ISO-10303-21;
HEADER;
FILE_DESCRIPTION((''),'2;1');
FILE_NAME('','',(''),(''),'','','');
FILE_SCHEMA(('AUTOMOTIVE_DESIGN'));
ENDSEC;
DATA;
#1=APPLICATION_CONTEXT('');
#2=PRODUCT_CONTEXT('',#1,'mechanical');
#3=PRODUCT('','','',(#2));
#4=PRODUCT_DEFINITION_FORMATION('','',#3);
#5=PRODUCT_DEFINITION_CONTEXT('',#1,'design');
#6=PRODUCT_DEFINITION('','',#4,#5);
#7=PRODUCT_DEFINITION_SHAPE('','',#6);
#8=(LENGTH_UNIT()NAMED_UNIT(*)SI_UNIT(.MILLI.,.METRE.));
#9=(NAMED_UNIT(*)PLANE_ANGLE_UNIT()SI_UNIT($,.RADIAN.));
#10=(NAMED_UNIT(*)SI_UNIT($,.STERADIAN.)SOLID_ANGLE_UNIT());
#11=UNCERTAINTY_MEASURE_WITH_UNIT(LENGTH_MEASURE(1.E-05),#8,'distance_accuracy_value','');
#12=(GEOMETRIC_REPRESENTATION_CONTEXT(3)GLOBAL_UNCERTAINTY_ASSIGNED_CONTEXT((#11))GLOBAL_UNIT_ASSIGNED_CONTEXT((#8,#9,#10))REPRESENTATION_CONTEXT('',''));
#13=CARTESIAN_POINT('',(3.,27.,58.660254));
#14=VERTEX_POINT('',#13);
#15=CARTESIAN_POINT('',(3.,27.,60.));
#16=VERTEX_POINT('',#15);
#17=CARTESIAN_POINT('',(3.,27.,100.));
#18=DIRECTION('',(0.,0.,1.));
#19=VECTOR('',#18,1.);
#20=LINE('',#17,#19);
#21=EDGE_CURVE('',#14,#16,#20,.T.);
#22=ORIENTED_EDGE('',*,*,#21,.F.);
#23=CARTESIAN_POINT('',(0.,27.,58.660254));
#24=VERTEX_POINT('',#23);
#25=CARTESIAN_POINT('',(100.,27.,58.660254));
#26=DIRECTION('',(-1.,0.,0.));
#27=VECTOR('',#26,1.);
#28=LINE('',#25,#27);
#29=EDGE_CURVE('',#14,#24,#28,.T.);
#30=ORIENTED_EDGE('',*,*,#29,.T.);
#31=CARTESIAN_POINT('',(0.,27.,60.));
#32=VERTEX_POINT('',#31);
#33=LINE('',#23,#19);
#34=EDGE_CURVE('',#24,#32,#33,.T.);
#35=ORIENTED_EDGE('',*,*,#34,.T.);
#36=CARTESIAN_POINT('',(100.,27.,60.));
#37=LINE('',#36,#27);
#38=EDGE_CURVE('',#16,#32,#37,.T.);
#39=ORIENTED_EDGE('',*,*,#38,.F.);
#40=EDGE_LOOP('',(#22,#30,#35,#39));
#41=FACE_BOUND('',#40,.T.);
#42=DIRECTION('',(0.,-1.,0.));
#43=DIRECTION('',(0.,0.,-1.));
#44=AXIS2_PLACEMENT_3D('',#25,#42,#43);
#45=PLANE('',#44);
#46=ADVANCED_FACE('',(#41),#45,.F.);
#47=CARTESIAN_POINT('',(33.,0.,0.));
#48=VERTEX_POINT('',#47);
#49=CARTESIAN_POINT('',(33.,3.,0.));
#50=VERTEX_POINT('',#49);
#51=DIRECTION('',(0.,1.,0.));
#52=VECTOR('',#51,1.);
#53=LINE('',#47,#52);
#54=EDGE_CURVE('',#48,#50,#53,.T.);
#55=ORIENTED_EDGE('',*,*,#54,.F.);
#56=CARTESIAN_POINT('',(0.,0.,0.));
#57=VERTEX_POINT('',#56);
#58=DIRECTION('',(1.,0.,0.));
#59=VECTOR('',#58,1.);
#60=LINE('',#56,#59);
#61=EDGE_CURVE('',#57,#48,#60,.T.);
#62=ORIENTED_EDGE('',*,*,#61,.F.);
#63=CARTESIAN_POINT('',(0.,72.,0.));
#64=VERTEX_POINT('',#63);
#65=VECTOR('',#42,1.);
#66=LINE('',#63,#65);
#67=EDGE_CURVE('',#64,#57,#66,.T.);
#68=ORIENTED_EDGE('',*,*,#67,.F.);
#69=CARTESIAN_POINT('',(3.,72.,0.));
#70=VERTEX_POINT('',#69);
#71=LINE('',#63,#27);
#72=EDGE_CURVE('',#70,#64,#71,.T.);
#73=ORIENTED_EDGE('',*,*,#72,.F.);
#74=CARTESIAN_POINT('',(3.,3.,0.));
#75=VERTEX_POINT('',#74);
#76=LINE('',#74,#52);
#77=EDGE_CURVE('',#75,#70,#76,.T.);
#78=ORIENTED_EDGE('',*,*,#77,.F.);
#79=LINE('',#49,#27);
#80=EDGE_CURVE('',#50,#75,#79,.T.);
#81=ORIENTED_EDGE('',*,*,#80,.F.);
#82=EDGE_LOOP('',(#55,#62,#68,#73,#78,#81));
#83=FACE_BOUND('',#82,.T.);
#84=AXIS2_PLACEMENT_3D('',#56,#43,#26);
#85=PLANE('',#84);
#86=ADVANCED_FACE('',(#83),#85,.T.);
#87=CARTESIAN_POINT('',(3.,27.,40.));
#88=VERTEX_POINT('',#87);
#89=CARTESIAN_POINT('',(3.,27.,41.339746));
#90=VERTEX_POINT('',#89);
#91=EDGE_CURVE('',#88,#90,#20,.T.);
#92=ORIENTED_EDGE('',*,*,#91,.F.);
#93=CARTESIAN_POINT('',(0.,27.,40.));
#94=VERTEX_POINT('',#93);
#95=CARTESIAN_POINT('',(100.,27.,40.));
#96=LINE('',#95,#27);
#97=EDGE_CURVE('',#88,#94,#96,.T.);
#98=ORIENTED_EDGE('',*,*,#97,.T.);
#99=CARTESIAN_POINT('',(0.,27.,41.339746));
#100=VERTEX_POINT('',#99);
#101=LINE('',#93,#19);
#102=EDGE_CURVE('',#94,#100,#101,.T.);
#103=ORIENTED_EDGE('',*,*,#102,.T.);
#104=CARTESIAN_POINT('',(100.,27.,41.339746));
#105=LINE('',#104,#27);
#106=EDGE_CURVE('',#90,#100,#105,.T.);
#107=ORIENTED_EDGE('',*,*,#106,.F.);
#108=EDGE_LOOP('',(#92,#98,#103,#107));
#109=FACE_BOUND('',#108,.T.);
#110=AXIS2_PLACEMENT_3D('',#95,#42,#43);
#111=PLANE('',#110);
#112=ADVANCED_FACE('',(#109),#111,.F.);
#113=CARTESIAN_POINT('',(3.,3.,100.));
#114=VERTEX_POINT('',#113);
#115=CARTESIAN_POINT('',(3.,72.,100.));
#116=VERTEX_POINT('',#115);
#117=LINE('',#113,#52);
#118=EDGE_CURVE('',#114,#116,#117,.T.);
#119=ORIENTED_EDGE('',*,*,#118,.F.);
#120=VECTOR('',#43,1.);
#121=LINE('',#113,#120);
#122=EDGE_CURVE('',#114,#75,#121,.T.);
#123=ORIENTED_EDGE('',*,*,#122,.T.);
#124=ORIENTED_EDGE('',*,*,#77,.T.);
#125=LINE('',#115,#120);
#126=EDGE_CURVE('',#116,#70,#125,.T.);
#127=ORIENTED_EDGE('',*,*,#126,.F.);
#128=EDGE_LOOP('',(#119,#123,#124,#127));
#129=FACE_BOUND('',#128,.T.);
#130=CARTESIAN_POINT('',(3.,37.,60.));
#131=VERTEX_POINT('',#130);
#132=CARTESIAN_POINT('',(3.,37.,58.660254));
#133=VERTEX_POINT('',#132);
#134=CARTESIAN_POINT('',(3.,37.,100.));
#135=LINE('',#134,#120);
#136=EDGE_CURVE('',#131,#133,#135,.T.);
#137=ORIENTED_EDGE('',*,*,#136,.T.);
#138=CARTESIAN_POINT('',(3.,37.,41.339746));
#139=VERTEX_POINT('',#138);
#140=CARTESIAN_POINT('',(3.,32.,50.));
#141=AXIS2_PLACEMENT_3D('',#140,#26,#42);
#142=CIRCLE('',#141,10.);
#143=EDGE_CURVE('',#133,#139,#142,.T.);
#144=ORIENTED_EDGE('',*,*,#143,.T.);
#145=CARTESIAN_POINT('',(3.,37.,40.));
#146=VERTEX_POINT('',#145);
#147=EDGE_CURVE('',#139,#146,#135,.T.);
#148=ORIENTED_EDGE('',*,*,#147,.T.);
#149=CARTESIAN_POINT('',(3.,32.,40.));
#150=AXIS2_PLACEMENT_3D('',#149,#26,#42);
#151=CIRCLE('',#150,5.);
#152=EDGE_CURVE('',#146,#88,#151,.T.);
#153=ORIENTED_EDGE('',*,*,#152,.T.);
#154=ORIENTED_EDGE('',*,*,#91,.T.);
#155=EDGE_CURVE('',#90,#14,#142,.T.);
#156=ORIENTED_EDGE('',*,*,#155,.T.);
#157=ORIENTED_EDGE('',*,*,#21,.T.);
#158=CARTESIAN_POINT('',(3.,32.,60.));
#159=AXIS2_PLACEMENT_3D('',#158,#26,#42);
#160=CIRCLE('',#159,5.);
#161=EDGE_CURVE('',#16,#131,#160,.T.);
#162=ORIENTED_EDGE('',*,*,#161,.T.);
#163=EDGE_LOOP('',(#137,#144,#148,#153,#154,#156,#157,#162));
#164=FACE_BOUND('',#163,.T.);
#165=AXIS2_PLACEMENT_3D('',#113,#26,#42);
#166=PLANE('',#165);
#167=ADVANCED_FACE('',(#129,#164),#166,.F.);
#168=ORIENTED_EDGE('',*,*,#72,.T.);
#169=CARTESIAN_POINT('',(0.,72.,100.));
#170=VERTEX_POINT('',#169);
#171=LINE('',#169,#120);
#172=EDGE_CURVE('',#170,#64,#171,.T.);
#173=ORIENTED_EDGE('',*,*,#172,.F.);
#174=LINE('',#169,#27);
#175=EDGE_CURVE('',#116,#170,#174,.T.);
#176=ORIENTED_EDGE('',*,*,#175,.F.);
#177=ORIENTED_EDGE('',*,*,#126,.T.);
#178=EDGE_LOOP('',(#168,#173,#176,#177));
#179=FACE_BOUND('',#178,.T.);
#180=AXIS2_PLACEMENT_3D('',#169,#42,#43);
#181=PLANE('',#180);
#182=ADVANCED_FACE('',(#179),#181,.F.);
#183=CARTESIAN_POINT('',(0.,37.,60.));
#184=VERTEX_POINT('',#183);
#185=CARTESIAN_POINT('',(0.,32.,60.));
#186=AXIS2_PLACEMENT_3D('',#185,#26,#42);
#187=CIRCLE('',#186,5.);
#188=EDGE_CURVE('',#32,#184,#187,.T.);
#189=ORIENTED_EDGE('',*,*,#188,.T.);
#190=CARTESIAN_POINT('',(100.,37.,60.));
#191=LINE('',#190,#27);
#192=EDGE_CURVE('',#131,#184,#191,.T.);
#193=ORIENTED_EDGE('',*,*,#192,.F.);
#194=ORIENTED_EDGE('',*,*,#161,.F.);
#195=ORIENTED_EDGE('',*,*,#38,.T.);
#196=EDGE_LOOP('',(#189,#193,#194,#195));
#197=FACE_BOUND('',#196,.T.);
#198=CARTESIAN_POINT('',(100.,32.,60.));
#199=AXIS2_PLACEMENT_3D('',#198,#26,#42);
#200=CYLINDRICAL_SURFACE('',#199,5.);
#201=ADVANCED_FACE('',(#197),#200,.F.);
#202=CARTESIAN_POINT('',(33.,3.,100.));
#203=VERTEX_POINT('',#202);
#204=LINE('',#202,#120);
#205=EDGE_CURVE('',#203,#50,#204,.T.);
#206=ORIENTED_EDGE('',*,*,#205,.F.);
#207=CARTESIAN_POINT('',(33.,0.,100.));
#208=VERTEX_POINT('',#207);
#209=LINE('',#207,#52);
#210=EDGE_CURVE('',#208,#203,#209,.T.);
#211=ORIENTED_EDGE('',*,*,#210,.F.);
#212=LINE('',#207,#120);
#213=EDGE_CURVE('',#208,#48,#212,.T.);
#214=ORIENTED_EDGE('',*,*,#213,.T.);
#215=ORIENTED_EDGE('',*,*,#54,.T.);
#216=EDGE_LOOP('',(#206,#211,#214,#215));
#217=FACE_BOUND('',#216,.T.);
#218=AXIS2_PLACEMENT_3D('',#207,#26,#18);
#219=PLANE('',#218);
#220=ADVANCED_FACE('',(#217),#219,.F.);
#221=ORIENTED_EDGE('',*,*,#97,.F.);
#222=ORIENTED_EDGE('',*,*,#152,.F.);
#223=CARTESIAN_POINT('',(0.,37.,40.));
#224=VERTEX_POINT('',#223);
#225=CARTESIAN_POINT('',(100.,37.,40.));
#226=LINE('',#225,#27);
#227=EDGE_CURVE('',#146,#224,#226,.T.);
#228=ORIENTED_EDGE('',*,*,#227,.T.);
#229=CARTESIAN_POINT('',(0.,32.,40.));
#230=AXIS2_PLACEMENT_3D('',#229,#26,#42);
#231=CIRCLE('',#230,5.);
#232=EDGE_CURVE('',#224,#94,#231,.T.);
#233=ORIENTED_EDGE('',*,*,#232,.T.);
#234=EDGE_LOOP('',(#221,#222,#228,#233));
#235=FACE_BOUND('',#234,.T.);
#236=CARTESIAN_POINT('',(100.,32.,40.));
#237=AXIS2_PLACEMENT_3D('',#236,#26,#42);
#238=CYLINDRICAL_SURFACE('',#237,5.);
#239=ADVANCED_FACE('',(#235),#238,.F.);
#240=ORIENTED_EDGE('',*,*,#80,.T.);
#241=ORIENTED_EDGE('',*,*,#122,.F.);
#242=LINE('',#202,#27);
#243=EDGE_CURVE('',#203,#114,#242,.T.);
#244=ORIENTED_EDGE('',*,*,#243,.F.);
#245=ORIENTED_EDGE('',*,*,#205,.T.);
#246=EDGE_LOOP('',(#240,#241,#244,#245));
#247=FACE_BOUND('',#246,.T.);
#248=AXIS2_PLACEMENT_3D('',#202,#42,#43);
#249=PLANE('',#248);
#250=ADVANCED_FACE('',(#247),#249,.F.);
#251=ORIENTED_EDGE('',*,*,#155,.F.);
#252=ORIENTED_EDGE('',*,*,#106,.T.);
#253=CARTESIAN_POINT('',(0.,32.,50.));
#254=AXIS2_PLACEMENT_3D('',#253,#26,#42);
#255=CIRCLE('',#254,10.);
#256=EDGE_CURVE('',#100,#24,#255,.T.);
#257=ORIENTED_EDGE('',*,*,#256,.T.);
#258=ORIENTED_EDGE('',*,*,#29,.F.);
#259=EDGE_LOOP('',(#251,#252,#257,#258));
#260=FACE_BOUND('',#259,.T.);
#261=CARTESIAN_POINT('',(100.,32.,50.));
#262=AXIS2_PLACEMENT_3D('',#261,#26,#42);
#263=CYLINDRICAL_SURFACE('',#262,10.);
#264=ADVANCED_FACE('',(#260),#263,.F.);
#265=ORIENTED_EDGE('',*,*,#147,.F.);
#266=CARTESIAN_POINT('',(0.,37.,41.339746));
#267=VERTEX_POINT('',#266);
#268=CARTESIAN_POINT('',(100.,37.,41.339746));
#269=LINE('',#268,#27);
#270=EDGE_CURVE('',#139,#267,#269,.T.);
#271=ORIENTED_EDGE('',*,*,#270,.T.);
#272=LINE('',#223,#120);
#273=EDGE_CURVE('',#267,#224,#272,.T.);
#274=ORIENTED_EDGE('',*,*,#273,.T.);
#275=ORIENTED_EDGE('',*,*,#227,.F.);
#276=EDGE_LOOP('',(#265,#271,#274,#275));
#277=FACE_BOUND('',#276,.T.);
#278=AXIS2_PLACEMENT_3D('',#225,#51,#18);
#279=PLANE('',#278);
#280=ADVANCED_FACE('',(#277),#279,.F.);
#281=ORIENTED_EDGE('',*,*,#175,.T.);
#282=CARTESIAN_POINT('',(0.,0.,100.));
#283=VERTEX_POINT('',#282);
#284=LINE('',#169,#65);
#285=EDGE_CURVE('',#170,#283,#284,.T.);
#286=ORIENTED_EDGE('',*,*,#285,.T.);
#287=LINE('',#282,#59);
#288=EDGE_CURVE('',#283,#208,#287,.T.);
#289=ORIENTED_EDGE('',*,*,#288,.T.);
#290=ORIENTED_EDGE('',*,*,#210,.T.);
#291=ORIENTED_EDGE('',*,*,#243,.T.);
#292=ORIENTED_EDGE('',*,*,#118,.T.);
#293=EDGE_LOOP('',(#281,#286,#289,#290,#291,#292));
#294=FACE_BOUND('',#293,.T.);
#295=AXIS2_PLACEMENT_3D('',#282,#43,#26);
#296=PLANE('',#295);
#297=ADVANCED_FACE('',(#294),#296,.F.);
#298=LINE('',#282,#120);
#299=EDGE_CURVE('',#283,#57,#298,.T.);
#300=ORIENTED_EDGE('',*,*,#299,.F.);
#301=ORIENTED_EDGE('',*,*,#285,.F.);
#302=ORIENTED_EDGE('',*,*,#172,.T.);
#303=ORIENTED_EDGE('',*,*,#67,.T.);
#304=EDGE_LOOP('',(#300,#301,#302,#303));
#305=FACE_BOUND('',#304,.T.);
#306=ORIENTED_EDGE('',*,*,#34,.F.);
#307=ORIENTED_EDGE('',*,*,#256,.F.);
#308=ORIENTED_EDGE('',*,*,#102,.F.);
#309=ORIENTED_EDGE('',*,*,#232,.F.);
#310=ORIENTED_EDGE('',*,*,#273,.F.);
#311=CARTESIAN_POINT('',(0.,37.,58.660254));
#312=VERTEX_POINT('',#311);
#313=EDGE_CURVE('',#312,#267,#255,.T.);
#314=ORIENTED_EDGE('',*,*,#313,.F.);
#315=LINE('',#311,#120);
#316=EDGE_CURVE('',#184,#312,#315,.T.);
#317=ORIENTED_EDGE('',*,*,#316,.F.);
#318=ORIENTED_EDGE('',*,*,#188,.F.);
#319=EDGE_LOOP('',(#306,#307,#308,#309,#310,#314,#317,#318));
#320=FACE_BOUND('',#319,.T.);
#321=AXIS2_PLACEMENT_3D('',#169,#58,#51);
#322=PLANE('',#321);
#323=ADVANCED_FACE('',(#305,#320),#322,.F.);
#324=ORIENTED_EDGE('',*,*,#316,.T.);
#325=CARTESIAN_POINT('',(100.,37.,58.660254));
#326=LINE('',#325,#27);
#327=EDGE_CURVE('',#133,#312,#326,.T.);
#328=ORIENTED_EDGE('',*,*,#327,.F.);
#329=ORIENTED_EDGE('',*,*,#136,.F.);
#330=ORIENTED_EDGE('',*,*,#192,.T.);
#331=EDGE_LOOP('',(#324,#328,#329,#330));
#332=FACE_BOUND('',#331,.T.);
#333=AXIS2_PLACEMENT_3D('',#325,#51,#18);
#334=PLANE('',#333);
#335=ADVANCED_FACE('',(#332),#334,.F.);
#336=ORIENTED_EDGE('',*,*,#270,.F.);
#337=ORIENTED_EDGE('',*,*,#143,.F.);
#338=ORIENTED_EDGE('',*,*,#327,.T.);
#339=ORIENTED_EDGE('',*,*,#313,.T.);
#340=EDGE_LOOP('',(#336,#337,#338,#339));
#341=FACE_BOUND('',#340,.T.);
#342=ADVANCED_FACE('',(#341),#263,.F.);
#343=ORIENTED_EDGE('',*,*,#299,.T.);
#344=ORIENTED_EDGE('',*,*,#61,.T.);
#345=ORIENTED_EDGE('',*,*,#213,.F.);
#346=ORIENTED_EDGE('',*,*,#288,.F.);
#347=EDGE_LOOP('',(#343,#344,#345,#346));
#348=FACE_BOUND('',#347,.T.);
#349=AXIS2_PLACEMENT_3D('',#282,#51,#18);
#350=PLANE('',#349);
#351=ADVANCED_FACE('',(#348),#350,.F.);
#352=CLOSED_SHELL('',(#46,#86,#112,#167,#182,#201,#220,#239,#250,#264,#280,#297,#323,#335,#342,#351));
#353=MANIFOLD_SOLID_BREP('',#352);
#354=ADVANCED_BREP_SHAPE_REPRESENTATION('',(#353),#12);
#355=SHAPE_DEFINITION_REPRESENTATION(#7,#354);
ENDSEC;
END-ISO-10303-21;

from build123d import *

# Parameters (mm, degrees)
BOSS_EXTRUDE1_DEPTH = 100
CUT_EXTRUDE1_DEPTH  = 100


with BuildPart() as part:
    # Sketch1 → Boss-Extrude1 (new body)
    with BuildSketch(Plane.XY):
        Polygon((0, 72), (3, 72), (3, 3), (33, 3), (33, 0), (0, 0), align=None)
    extrude(amount=BOSS_EXTRUDE1_DEPTH)

    # Sketch2 → Cut-Extrude1 (cut)
    with BuildSketch(Plane.ZY):
        with BuildLine():
            Line((58.660254038, 37), (60, 37))
            ThreePointArc((60, 37), (65, 32), (60, 27))
            Line((60, 27), (58.660254038, 27))
            ThreePointArc((58.660254038, 27), (50, 22), (41.339745962, 27))
            Line((41.339745962, 27), (40, 27))
            ThreePointArc((40, 27), (35, 32), (40, 37))
            Line((40, 37), (41.339745962, 37))
            ThreePointArc((41.339745962, 37), (50, 42), (58.660254038, 37))
        make_face()
    extrude(amount=-CUT_EXTRUDE1_DEPTH, mode=Mode.SUBTRACT)


solid = part.part
